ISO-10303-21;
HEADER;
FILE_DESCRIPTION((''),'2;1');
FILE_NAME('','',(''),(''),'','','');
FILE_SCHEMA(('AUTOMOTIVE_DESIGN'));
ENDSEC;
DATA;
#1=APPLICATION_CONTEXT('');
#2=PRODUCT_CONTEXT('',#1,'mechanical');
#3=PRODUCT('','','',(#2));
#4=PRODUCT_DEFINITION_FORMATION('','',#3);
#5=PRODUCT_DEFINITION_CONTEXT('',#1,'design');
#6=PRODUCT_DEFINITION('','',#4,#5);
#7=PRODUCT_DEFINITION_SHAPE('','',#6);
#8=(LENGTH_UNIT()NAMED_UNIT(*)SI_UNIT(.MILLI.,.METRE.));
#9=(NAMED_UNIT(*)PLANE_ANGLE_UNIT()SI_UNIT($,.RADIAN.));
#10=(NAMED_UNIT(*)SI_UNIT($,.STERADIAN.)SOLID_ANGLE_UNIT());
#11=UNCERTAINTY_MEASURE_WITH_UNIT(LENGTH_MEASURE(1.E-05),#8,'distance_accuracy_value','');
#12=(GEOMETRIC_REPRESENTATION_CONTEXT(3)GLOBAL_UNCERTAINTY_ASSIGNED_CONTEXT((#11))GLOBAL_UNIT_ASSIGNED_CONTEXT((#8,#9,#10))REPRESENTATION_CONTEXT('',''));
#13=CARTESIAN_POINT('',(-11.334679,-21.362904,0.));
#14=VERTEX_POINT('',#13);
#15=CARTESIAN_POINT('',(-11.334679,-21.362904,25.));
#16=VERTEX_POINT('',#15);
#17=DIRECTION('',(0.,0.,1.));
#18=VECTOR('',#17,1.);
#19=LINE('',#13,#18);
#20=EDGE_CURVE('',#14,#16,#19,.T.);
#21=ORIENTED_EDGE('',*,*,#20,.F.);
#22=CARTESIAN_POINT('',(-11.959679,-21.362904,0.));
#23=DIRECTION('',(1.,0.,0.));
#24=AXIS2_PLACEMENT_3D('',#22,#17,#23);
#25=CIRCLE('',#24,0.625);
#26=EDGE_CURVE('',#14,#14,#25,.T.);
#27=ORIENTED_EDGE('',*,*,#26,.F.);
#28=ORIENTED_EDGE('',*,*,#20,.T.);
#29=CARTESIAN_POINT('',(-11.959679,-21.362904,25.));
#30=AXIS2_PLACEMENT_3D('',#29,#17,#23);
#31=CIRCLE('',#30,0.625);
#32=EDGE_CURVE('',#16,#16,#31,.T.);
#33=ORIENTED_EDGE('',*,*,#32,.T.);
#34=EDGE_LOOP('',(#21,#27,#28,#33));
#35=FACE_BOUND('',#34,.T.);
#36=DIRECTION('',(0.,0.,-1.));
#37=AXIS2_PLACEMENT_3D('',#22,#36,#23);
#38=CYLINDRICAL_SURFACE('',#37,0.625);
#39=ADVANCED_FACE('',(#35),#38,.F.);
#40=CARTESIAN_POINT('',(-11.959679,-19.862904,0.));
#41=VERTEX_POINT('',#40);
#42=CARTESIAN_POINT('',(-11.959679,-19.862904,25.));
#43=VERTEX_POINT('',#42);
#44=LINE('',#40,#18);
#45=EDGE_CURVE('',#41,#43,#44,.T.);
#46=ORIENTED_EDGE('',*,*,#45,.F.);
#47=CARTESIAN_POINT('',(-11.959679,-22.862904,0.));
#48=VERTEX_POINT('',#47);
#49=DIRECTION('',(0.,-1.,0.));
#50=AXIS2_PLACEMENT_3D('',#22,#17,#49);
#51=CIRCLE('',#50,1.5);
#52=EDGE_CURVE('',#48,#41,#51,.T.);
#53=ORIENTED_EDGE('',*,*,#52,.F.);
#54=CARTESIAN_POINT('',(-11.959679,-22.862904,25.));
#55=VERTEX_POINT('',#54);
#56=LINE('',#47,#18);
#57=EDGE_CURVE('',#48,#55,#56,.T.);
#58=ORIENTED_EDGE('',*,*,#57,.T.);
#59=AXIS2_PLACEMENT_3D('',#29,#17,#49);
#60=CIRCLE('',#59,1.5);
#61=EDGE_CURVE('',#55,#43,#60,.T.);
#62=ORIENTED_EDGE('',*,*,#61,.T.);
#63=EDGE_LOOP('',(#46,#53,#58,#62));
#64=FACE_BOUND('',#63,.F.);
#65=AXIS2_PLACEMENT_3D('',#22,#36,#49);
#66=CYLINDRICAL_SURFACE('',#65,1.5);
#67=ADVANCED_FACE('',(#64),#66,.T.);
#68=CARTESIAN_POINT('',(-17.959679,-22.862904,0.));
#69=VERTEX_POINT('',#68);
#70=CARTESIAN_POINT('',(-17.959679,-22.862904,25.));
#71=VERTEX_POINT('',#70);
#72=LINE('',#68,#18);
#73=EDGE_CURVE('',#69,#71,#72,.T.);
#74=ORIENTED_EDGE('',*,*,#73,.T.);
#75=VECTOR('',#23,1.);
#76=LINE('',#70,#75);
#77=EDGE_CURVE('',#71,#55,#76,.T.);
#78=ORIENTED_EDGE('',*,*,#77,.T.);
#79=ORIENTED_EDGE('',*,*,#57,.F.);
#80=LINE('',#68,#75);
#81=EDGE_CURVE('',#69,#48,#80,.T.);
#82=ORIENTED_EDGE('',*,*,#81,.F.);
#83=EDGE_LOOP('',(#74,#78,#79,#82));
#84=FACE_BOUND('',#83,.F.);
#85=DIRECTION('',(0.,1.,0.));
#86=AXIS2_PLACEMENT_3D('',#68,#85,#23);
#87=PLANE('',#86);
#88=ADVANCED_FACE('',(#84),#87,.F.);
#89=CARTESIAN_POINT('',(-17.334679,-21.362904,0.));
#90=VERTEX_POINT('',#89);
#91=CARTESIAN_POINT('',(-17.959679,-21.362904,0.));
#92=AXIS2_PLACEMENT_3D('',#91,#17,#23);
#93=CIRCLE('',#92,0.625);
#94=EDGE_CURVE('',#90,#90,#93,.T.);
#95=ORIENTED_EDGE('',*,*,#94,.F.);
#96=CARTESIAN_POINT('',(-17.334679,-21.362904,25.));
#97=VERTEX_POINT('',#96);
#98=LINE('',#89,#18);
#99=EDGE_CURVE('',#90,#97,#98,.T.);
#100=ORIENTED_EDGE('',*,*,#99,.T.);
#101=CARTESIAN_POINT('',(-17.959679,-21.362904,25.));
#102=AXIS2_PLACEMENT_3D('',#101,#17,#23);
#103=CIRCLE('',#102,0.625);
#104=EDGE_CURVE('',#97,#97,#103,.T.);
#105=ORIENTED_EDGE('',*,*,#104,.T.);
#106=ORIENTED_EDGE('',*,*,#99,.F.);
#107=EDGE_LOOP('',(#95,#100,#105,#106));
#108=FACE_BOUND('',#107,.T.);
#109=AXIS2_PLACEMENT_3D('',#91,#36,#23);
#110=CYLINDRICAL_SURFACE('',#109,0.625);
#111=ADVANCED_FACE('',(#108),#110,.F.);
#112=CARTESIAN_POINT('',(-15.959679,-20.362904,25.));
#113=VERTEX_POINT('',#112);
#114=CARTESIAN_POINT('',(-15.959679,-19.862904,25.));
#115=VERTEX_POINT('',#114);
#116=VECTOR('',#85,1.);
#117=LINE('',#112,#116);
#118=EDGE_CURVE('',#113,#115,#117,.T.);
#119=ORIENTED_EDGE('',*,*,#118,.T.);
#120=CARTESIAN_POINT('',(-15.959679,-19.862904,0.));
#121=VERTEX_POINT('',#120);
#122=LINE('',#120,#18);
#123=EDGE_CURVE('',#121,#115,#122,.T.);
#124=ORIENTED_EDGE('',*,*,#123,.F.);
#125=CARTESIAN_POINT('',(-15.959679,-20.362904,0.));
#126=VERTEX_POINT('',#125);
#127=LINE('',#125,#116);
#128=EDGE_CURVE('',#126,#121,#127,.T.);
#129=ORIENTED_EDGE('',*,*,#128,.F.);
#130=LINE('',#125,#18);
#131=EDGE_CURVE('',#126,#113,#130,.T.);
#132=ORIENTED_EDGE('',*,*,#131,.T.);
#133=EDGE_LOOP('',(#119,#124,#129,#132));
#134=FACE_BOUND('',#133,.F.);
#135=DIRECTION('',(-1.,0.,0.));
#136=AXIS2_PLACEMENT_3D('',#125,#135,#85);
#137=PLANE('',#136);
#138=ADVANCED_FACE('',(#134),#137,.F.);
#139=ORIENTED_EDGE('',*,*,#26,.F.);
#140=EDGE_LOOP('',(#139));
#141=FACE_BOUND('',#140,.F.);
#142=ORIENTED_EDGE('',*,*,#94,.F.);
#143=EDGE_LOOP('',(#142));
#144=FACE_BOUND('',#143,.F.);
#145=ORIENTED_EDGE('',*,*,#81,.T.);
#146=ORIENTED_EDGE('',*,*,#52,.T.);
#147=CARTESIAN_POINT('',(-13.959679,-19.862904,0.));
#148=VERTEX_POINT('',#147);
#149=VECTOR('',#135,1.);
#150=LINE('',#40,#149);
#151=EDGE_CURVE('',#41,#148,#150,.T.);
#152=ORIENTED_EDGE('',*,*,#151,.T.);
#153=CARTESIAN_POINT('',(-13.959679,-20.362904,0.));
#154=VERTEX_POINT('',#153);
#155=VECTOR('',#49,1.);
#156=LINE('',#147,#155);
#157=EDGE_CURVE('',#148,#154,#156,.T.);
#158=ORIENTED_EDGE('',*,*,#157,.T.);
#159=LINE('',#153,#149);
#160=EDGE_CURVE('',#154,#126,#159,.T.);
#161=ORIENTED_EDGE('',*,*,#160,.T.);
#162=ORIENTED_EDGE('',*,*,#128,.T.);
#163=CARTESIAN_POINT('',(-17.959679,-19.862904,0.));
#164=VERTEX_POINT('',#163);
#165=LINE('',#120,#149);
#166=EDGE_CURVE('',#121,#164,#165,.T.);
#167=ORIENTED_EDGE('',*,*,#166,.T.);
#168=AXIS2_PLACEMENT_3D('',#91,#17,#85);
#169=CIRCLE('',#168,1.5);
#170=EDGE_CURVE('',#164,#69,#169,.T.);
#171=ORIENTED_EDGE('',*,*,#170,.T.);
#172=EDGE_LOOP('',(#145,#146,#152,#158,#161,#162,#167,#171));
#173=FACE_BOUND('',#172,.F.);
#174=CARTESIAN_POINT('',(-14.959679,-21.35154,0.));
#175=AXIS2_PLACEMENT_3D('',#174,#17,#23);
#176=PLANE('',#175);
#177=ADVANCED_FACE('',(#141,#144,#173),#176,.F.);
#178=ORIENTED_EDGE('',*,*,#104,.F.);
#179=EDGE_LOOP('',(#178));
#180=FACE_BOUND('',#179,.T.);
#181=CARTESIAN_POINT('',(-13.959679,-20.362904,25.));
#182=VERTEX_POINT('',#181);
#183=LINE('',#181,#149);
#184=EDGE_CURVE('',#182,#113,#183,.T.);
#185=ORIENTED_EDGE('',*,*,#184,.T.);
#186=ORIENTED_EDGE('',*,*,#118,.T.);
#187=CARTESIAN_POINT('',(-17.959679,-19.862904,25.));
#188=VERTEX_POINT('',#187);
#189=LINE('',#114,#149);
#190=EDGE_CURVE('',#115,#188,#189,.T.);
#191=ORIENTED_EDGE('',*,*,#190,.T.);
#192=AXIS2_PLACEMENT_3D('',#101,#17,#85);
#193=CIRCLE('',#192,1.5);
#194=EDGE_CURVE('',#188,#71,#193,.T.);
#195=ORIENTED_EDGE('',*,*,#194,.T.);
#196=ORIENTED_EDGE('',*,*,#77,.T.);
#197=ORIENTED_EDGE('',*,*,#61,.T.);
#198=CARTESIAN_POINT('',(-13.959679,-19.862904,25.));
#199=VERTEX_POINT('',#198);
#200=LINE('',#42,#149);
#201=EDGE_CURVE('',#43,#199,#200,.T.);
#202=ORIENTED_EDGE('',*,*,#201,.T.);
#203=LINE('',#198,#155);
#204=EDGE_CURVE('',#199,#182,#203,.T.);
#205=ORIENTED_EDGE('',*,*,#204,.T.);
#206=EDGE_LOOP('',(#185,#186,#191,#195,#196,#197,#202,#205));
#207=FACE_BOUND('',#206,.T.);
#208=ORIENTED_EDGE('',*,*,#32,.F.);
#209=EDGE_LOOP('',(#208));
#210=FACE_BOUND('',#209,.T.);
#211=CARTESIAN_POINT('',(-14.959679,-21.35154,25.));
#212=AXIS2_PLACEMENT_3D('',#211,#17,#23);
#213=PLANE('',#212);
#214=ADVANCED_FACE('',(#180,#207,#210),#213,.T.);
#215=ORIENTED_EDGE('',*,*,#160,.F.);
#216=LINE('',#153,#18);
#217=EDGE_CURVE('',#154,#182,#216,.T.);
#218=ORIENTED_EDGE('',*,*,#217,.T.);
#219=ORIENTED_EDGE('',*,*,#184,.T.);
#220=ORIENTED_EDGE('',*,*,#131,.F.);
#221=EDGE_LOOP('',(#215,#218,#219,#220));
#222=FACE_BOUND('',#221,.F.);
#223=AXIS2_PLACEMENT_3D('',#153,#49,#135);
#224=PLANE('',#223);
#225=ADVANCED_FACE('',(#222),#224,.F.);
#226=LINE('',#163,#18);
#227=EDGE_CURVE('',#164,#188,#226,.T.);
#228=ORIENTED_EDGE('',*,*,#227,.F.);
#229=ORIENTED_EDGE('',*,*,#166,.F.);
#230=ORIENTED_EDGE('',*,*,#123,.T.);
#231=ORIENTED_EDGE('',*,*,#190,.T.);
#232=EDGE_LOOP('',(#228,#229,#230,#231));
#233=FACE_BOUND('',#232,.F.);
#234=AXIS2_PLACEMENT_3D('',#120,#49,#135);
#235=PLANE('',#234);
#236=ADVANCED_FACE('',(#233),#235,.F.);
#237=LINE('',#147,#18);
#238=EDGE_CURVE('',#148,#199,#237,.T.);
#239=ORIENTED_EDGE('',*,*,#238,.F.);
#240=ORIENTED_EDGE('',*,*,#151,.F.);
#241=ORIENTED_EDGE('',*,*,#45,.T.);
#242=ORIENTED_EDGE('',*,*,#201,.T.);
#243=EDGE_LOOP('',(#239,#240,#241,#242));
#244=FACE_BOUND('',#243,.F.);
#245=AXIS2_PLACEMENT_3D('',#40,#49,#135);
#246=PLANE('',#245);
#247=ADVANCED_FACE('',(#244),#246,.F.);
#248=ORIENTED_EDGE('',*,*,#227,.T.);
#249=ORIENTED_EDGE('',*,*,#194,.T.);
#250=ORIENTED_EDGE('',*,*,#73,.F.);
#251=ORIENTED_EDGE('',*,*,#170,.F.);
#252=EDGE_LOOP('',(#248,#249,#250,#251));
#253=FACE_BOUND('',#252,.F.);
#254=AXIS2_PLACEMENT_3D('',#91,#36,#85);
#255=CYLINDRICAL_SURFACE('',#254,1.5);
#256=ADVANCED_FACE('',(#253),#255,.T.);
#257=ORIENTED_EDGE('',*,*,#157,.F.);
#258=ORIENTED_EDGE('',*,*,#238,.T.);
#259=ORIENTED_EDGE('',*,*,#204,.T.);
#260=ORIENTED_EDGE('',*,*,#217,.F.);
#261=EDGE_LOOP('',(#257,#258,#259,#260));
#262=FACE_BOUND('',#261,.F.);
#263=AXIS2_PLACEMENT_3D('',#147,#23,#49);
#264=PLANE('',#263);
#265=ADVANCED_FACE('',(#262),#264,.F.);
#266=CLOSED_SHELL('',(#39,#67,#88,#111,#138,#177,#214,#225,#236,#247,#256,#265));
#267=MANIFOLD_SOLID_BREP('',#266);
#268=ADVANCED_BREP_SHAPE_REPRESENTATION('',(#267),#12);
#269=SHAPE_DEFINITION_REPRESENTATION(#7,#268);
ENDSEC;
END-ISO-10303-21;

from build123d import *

# Parameters (mm, degrees)
F0_R     = 0.625
F1_DEPTH = 25


with BuildPart() as f1:
    # F0 (on Top) → F1 (new body)
    with BuildSketch(Plane.XY):
        with BuildLine():
            ThreePointArc((-17.959679, -19.862904), (-19.459679, -21.362904), (-17.959679, -22.862904))
            Line((-17.959679, -22.862904), (-11.959679, -22.862904))
            ThreePointArc((-11.959679, -22.862904), (-10.459679, -21.362904), (-11.959679, -19.862904))
            Line((-11.959679, -19.862904), (-13.959679, -19.862904))
            Line((-13.959679, -19.862904), (-13.959679, -20.362904))
            Line((-13.959679, -20.362904), (-15.959679, -20.362904))
            Line((-15.959679, -20.362904), (-15.959679, -19.862904))
            Line((-15.959679, -19.862904), (-17.959679, -19.862904))
        make_face()
        with Locations((-17.959679, -21.362904)):
            Circle(F0_R, mode=Mode.SUBTRACT)
        with Locations((-11.959679, -21.362904)):
            Circle(F0_R, mode=Mode.SUBTRACT)
    extrude(amount=F1_DEPTH)


solid = f1.part
